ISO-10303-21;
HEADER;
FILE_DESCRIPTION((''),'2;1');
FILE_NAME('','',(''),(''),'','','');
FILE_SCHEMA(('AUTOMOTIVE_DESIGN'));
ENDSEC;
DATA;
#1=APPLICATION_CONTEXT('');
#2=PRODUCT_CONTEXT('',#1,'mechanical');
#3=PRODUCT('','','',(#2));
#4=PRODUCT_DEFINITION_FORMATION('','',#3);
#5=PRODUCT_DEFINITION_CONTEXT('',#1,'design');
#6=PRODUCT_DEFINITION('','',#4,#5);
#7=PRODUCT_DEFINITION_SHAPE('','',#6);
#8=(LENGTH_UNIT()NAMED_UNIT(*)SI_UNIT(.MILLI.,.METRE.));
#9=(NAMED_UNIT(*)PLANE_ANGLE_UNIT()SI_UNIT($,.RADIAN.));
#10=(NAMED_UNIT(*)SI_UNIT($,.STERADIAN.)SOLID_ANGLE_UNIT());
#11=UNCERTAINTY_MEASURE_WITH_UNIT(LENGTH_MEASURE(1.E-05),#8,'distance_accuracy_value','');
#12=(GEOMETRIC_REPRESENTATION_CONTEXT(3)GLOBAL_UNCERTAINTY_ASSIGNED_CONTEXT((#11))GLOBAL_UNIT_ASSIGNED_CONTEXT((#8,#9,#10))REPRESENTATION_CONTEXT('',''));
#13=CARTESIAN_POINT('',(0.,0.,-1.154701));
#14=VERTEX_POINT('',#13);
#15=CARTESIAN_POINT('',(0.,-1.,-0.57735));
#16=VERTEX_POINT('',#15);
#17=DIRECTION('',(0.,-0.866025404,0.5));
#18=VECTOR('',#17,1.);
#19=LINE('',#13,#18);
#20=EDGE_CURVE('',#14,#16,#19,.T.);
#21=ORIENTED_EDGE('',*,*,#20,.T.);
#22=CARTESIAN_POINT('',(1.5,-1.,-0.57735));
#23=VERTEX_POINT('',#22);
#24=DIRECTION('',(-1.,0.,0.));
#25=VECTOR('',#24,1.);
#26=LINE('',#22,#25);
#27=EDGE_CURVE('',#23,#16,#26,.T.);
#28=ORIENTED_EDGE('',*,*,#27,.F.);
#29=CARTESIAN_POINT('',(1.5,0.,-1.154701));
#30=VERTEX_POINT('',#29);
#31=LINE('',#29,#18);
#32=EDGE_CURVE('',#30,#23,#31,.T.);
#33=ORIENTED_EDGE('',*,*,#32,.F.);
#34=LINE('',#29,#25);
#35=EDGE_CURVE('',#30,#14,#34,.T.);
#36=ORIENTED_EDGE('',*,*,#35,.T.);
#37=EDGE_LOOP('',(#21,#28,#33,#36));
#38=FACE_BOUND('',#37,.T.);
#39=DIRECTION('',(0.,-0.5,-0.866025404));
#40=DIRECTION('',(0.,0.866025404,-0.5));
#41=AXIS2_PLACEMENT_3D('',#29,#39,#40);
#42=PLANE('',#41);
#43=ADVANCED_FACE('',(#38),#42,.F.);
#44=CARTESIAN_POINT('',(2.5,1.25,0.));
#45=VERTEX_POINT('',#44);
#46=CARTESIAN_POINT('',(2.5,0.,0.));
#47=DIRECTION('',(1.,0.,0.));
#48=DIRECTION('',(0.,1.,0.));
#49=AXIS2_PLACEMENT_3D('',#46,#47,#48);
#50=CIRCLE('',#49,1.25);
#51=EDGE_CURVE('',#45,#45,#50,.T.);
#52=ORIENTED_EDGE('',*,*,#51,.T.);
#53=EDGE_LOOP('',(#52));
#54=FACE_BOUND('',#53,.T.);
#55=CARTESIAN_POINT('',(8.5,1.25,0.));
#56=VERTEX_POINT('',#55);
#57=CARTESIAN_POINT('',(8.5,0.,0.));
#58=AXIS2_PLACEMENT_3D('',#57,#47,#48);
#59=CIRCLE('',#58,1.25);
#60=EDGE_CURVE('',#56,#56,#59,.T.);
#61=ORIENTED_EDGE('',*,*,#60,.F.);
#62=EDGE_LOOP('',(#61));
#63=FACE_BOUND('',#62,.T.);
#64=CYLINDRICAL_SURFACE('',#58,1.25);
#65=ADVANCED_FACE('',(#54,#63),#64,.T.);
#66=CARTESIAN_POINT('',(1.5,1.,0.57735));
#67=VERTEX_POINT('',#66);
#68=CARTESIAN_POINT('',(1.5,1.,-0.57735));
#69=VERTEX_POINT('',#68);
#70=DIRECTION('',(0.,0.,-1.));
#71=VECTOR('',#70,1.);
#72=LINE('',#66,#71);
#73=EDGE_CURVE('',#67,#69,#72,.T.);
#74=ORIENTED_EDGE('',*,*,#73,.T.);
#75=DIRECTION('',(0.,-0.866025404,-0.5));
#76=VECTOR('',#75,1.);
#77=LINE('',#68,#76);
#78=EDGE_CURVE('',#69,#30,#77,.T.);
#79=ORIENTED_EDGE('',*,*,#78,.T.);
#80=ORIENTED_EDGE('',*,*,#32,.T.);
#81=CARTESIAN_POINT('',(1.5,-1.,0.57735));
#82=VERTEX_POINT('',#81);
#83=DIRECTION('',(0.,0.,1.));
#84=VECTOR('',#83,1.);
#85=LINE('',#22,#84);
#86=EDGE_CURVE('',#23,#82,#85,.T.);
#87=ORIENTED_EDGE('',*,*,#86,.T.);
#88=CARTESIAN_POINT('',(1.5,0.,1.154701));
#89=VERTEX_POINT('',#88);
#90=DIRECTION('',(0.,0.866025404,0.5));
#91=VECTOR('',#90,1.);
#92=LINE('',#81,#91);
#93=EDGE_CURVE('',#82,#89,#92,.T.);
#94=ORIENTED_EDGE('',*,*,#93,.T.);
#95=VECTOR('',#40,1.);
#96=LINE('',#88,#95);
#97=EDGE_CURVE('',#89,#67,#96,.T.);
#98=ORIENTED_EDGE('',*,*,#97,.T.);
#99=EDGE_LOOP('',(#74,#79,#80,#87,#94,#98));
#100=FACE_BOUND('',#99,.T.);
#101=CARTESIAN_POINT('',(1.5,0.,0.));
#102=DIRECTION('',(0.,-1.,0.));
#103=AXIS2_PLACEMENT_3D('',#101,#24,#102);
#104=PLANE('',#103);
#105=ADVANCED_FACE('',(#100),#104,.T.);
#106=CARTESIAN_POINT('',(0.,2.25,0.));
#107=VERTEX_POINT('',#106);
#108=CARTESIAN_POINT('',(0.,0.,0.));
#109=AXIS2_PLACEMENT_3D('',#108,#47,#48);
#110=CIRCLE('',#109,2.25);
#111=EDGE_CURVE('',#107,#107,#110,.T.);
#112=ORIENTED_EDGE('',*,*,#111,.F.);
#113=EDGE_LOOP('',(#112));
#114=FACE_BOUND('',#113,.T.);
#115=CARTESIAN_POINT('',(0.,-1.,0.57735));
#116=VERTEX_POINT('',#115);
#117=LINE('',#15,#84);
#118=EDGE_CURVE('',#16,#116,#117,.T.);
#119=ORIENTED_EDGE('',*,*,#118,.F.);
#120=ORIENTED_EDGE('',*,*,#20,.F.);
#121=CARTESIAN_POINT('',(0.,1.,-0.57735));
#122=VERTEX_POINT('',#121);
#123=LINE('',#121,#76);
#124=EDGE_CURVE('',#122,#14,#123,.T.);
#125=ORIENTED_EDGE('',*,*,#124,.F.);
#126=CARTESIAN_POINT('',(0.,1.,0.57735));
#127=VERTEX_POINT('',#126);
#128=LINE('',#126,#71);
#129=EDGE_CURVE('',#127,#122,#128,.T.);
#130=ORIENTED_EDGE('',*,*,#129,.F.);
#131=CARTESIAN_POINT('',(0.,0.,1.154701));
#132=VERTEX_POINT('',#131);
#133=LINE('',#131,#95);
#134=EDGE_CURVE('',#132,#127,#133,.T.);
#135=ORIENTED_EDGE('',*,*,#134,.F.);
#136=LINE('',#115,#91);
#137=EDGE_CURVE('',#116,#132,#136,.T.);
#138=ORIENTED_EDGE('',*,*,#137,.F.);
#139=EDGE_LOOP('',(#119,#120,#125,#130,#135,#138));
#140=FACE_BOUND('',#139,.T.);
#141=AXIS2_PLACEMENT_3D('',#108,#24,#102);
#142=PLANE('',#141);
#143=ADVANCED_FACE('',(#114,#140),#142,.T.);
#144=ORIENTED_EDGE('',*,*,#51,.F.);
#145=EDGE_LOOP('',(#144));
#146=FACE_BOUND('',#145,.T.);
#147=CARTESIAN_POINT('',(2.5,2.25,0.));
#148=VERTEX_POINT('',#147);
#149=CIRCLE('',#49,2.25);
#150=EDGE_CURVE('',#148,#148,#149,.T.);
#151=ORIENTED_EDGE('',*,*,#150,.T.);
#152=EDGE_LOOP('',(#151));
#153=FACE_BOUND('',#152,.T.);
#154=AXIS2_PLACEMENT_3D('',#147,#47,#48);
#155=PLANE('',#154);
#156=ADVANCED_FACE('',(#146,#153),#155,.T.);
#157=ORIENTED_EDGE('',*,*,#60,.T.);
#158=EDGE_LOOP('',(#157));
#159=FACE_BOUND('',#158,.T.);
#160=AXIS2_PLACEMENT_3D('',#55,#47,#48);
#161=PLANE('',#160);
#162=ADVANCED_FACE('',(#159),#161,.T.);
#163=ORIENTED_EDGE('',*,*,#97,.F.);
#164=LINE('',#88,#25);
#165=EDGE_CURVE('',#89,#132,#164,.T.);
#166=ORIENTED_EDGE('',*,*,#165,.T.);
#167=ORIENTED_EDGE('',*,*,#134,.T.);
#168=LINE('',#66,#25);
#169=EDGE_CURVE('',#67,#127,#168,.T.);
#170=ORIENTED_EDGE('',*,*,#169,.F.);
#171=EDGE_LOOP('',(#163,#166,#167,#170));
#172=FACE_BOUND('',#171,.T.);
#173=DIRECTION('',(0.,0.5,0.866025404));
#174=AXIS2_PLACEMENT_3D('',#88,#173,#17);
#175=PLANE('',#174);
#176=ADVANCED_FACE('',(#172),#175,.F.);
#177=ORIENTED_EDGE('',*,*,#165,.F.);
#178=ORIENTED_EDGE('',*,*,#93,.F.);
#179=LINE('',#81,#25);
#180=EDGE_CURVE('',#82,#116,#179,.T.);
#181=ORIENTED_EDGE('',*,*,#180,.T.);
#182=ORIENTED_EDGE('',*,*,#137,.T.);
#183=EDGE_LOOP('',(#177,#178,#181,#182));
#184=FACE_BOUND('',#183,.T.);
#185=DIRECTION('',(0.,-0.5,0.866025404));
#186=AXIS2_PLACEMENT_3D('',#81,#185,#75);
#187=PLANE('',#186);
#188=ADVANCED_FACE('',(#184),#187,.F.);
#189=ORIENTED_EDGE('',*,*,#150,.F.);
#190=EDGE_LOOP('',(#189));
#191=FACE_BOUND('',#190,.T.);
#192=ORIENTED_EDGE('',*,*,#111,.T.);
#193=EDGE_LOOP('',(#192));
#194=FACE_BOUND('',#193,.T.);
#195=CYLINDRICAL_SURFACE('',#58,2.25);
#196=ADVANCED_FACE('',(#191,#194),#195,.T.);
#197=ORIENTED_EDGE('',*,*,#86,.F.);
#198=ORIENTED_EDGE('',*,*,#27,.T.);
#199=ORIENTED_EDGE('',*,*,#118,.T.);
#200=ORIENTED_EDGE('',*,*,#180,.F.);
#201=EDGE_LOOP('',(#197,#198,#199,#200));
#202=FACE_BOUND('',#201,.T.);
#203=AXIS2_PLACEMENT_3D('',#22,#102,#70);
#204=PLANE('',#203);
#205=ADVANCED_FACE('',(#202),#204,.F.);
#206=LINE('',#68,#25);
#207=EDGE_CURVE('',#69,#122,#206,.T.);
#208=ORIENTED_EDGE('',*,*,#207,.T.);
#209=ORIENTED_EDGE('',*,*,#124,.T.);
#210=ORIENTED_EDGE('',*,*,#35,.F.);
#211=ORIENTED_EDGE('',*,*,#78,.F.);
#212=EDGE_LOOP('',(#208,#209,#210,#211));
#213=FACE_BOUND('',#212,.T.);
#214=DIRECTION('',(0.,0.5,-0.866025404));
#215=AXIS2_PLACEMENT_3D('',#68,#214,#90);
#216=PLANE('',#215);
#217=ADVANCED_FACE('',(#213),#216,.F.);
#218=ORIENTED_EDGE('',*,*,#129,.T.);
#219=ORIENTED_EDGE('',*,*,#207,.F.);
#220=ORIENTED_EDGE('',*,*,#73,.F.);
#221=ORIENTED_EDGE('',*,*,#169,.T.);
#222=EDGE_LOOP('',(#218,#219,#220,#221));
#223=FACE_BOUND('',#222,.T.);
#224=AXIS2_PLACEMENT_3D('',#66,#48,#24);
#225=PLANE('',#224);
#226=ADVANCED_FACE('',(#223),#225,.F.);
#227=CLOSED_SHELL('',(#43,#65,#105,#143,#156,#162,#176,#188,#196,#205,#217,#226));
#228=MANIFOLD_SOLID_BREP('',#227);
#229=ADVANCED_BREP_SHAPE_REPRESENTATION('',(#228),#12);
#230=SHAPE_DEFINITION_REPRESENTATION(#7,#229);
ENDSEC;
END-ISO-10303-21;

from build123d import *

# Parameters (mm, degrees)
CUT_EXTRUDE1_DEPTH = 1.5


with BuildPart() as part:
    # Sketch1 → Revolve1 (revolve)
    with BuildSketch(Plane.XY):
        Polygon((0, 0), (0, 2.25), (2.5, 2.25), (2.5, 1.25), (8.5, 1.25), (8.5, 0), align=None)
    revolve(axis=Axis((8.5, 0, 0), (-1, 0, 0)))

    # Sketch2 → Cut-Extrude1 (cut)
    with BuildSketch(Plane.ZY):
        Polygon((1.154700538, 0), (0.577350269, 1), (-0.577350269, 1), (-1.154700538, 0), (-0.577350269, -1), (0.577350269, -1), align=None)
    extrude(amount=-CUT_EXTRUDE1_DEPTH, mode=Mode.SUBTRACT)


solid = part.part
